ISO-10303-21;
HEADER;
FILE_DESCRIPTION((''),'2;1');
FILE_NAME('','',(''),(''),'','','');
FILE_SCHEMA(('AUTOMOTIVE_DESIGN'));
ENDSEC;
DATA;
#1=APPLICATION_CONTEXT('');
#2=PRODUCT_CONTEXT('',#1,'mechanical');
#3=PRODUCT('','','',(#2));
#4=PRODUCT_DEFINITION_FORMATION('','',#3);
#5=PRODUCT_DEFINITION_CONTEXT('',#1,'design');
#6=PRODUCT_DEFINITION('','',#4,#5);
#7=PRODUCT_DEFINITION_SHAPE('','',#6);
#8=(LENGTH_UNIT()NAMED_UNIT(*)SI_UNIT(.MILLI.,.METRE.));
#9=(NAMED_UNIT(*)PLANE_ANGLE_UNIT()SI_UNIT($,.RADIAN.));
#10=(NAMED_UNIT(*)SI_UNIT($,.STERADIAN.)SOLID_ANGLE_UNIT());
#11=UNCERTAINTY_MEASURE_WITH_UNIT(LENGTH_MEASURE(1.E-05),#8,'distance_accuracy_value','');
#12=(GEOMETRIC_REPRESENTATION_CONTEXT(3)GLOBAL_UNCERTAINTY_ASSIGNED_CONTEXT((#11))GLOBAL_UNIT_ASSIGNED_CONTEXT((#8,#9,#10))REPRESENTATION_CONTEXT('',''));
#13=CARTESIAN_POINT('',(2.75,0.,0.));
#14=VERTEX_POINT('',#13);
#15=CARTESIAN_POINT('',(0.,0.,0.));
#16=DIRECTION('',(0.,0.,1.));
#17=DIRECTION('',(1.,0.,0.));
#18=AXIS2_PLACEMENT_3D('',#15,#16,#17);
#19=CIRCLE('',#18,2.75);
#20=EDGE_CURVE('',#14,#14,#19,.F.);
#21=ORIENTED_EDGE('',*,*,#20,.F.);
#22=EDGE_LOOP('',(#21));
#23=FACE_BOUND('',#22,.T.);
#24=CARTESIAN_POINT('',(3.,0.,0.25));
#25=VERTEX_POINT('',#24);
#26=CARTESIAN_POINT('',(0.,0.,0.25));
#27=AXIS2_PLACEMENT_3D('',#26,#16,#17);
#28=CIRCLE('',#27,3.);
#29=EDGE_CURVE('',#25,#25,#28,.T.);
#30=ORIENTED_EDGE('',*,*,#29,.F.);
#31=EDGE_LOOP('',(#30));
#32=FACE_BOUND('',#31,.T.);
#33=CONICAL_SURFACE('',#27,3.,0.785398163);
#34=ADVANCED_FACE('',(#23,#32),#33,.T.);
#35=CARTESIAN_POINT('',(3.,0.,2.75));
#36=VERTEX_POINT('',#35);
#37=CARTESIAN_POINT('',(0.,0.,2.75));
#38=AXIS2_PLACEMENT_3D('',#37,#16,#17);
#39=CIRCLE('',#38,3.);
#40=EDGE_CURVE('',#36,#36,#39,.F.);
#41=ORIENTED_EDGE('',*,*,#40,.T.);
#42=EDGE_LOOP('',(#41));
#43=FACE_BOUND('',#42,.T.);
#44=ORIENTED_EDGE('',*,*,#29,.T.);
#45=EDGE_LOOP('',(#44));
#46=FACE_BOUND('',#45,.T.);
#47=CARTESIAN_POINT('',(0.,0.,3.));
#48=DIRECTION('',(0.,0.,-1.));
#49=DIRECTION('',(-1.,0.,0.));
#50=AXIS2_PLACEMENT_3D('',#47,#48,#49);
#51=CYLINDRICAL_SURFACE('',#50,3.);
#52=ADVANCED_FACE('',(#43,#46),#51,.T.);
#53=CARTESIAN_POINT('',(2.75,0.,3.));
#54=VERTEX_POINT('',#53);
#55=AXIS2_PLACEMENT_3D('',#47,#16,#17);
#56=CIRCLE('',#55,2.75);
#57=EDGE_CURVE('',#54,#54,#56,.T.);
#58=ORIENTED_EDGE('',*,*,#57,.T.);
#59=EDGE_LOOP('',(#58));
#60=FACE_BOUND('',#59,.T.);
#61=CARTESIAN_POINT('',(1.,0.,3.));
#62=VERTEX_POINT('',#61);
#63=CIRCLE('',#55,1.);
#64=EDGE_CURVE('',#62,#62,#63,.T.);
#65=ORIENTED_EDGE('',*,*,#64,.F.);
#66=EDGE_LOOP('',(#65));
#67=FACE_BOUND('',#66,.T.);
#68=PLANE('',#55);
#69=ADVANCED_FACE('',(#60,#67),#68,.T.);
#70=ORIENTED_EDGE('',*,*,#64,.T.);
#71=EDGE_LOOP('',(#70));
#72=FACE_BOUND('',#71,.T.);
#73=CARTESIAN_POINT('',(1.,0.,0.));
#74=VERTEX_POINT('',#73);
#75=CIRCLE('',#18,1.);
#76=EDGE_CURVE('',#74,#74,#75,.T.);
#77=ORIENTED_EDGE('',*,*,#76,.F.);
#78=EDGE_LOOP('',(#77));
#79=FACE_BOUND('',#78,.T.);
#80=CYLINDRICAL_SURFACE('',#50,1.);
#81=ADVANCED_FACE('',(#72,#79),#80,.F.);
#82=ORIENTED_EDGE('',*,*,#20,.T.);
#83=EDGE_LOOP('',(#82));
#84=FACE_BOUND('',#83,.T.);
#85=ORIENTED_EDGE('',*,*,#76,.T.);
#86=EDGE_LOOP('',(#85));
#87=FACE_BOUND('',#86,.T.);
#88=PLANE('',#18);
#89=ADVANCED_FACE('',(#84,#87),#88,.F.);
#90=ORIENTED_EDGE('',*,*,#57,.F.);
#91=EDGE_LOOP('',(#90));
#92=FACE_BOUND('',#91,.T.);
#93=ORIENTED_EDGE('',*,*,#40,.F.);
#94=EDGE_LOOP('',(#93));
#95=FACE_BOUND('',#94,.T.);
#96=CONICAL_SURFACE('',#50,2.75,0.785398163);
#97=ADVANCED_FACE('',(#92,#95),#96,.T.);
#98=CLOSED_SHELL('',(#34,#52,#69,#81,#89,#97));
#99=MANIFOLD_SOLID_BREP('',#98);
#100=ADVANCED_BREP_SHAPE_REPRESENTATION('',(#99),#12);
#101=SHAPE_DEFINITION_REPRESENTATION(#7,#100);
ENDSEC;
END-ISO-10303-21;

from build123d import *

# Parameters (mm, degrees)
SKETCH1_R           = 3
SKETCH1_R_2         = 1
EXTRUDE_THIN1_DEPTH = 3
CHAMFER1_SIZE       = 0.25


with BuildPart() as part:
    # Sketch1 → Extrude-Thin1 (new body)
    with BuildSketch(Plane.XY):
        Circle(SKETCH1_R)
        Circle(SKETCH1_R_2, mode=Mode.SUBTRACT)
    extrude(amount=EXTRUDE_THIN1_DEPTH)

    # Chamfer1
    chamfer1_edges = [part.edges().sort_by_distance(p)[0] for p in [
        (-3, 0, 0),
        (-3, 0, 3),
    ]]
    chamfer(chamfer1_edges, length=CHAMFER1_SIZE)


solid = part.part
